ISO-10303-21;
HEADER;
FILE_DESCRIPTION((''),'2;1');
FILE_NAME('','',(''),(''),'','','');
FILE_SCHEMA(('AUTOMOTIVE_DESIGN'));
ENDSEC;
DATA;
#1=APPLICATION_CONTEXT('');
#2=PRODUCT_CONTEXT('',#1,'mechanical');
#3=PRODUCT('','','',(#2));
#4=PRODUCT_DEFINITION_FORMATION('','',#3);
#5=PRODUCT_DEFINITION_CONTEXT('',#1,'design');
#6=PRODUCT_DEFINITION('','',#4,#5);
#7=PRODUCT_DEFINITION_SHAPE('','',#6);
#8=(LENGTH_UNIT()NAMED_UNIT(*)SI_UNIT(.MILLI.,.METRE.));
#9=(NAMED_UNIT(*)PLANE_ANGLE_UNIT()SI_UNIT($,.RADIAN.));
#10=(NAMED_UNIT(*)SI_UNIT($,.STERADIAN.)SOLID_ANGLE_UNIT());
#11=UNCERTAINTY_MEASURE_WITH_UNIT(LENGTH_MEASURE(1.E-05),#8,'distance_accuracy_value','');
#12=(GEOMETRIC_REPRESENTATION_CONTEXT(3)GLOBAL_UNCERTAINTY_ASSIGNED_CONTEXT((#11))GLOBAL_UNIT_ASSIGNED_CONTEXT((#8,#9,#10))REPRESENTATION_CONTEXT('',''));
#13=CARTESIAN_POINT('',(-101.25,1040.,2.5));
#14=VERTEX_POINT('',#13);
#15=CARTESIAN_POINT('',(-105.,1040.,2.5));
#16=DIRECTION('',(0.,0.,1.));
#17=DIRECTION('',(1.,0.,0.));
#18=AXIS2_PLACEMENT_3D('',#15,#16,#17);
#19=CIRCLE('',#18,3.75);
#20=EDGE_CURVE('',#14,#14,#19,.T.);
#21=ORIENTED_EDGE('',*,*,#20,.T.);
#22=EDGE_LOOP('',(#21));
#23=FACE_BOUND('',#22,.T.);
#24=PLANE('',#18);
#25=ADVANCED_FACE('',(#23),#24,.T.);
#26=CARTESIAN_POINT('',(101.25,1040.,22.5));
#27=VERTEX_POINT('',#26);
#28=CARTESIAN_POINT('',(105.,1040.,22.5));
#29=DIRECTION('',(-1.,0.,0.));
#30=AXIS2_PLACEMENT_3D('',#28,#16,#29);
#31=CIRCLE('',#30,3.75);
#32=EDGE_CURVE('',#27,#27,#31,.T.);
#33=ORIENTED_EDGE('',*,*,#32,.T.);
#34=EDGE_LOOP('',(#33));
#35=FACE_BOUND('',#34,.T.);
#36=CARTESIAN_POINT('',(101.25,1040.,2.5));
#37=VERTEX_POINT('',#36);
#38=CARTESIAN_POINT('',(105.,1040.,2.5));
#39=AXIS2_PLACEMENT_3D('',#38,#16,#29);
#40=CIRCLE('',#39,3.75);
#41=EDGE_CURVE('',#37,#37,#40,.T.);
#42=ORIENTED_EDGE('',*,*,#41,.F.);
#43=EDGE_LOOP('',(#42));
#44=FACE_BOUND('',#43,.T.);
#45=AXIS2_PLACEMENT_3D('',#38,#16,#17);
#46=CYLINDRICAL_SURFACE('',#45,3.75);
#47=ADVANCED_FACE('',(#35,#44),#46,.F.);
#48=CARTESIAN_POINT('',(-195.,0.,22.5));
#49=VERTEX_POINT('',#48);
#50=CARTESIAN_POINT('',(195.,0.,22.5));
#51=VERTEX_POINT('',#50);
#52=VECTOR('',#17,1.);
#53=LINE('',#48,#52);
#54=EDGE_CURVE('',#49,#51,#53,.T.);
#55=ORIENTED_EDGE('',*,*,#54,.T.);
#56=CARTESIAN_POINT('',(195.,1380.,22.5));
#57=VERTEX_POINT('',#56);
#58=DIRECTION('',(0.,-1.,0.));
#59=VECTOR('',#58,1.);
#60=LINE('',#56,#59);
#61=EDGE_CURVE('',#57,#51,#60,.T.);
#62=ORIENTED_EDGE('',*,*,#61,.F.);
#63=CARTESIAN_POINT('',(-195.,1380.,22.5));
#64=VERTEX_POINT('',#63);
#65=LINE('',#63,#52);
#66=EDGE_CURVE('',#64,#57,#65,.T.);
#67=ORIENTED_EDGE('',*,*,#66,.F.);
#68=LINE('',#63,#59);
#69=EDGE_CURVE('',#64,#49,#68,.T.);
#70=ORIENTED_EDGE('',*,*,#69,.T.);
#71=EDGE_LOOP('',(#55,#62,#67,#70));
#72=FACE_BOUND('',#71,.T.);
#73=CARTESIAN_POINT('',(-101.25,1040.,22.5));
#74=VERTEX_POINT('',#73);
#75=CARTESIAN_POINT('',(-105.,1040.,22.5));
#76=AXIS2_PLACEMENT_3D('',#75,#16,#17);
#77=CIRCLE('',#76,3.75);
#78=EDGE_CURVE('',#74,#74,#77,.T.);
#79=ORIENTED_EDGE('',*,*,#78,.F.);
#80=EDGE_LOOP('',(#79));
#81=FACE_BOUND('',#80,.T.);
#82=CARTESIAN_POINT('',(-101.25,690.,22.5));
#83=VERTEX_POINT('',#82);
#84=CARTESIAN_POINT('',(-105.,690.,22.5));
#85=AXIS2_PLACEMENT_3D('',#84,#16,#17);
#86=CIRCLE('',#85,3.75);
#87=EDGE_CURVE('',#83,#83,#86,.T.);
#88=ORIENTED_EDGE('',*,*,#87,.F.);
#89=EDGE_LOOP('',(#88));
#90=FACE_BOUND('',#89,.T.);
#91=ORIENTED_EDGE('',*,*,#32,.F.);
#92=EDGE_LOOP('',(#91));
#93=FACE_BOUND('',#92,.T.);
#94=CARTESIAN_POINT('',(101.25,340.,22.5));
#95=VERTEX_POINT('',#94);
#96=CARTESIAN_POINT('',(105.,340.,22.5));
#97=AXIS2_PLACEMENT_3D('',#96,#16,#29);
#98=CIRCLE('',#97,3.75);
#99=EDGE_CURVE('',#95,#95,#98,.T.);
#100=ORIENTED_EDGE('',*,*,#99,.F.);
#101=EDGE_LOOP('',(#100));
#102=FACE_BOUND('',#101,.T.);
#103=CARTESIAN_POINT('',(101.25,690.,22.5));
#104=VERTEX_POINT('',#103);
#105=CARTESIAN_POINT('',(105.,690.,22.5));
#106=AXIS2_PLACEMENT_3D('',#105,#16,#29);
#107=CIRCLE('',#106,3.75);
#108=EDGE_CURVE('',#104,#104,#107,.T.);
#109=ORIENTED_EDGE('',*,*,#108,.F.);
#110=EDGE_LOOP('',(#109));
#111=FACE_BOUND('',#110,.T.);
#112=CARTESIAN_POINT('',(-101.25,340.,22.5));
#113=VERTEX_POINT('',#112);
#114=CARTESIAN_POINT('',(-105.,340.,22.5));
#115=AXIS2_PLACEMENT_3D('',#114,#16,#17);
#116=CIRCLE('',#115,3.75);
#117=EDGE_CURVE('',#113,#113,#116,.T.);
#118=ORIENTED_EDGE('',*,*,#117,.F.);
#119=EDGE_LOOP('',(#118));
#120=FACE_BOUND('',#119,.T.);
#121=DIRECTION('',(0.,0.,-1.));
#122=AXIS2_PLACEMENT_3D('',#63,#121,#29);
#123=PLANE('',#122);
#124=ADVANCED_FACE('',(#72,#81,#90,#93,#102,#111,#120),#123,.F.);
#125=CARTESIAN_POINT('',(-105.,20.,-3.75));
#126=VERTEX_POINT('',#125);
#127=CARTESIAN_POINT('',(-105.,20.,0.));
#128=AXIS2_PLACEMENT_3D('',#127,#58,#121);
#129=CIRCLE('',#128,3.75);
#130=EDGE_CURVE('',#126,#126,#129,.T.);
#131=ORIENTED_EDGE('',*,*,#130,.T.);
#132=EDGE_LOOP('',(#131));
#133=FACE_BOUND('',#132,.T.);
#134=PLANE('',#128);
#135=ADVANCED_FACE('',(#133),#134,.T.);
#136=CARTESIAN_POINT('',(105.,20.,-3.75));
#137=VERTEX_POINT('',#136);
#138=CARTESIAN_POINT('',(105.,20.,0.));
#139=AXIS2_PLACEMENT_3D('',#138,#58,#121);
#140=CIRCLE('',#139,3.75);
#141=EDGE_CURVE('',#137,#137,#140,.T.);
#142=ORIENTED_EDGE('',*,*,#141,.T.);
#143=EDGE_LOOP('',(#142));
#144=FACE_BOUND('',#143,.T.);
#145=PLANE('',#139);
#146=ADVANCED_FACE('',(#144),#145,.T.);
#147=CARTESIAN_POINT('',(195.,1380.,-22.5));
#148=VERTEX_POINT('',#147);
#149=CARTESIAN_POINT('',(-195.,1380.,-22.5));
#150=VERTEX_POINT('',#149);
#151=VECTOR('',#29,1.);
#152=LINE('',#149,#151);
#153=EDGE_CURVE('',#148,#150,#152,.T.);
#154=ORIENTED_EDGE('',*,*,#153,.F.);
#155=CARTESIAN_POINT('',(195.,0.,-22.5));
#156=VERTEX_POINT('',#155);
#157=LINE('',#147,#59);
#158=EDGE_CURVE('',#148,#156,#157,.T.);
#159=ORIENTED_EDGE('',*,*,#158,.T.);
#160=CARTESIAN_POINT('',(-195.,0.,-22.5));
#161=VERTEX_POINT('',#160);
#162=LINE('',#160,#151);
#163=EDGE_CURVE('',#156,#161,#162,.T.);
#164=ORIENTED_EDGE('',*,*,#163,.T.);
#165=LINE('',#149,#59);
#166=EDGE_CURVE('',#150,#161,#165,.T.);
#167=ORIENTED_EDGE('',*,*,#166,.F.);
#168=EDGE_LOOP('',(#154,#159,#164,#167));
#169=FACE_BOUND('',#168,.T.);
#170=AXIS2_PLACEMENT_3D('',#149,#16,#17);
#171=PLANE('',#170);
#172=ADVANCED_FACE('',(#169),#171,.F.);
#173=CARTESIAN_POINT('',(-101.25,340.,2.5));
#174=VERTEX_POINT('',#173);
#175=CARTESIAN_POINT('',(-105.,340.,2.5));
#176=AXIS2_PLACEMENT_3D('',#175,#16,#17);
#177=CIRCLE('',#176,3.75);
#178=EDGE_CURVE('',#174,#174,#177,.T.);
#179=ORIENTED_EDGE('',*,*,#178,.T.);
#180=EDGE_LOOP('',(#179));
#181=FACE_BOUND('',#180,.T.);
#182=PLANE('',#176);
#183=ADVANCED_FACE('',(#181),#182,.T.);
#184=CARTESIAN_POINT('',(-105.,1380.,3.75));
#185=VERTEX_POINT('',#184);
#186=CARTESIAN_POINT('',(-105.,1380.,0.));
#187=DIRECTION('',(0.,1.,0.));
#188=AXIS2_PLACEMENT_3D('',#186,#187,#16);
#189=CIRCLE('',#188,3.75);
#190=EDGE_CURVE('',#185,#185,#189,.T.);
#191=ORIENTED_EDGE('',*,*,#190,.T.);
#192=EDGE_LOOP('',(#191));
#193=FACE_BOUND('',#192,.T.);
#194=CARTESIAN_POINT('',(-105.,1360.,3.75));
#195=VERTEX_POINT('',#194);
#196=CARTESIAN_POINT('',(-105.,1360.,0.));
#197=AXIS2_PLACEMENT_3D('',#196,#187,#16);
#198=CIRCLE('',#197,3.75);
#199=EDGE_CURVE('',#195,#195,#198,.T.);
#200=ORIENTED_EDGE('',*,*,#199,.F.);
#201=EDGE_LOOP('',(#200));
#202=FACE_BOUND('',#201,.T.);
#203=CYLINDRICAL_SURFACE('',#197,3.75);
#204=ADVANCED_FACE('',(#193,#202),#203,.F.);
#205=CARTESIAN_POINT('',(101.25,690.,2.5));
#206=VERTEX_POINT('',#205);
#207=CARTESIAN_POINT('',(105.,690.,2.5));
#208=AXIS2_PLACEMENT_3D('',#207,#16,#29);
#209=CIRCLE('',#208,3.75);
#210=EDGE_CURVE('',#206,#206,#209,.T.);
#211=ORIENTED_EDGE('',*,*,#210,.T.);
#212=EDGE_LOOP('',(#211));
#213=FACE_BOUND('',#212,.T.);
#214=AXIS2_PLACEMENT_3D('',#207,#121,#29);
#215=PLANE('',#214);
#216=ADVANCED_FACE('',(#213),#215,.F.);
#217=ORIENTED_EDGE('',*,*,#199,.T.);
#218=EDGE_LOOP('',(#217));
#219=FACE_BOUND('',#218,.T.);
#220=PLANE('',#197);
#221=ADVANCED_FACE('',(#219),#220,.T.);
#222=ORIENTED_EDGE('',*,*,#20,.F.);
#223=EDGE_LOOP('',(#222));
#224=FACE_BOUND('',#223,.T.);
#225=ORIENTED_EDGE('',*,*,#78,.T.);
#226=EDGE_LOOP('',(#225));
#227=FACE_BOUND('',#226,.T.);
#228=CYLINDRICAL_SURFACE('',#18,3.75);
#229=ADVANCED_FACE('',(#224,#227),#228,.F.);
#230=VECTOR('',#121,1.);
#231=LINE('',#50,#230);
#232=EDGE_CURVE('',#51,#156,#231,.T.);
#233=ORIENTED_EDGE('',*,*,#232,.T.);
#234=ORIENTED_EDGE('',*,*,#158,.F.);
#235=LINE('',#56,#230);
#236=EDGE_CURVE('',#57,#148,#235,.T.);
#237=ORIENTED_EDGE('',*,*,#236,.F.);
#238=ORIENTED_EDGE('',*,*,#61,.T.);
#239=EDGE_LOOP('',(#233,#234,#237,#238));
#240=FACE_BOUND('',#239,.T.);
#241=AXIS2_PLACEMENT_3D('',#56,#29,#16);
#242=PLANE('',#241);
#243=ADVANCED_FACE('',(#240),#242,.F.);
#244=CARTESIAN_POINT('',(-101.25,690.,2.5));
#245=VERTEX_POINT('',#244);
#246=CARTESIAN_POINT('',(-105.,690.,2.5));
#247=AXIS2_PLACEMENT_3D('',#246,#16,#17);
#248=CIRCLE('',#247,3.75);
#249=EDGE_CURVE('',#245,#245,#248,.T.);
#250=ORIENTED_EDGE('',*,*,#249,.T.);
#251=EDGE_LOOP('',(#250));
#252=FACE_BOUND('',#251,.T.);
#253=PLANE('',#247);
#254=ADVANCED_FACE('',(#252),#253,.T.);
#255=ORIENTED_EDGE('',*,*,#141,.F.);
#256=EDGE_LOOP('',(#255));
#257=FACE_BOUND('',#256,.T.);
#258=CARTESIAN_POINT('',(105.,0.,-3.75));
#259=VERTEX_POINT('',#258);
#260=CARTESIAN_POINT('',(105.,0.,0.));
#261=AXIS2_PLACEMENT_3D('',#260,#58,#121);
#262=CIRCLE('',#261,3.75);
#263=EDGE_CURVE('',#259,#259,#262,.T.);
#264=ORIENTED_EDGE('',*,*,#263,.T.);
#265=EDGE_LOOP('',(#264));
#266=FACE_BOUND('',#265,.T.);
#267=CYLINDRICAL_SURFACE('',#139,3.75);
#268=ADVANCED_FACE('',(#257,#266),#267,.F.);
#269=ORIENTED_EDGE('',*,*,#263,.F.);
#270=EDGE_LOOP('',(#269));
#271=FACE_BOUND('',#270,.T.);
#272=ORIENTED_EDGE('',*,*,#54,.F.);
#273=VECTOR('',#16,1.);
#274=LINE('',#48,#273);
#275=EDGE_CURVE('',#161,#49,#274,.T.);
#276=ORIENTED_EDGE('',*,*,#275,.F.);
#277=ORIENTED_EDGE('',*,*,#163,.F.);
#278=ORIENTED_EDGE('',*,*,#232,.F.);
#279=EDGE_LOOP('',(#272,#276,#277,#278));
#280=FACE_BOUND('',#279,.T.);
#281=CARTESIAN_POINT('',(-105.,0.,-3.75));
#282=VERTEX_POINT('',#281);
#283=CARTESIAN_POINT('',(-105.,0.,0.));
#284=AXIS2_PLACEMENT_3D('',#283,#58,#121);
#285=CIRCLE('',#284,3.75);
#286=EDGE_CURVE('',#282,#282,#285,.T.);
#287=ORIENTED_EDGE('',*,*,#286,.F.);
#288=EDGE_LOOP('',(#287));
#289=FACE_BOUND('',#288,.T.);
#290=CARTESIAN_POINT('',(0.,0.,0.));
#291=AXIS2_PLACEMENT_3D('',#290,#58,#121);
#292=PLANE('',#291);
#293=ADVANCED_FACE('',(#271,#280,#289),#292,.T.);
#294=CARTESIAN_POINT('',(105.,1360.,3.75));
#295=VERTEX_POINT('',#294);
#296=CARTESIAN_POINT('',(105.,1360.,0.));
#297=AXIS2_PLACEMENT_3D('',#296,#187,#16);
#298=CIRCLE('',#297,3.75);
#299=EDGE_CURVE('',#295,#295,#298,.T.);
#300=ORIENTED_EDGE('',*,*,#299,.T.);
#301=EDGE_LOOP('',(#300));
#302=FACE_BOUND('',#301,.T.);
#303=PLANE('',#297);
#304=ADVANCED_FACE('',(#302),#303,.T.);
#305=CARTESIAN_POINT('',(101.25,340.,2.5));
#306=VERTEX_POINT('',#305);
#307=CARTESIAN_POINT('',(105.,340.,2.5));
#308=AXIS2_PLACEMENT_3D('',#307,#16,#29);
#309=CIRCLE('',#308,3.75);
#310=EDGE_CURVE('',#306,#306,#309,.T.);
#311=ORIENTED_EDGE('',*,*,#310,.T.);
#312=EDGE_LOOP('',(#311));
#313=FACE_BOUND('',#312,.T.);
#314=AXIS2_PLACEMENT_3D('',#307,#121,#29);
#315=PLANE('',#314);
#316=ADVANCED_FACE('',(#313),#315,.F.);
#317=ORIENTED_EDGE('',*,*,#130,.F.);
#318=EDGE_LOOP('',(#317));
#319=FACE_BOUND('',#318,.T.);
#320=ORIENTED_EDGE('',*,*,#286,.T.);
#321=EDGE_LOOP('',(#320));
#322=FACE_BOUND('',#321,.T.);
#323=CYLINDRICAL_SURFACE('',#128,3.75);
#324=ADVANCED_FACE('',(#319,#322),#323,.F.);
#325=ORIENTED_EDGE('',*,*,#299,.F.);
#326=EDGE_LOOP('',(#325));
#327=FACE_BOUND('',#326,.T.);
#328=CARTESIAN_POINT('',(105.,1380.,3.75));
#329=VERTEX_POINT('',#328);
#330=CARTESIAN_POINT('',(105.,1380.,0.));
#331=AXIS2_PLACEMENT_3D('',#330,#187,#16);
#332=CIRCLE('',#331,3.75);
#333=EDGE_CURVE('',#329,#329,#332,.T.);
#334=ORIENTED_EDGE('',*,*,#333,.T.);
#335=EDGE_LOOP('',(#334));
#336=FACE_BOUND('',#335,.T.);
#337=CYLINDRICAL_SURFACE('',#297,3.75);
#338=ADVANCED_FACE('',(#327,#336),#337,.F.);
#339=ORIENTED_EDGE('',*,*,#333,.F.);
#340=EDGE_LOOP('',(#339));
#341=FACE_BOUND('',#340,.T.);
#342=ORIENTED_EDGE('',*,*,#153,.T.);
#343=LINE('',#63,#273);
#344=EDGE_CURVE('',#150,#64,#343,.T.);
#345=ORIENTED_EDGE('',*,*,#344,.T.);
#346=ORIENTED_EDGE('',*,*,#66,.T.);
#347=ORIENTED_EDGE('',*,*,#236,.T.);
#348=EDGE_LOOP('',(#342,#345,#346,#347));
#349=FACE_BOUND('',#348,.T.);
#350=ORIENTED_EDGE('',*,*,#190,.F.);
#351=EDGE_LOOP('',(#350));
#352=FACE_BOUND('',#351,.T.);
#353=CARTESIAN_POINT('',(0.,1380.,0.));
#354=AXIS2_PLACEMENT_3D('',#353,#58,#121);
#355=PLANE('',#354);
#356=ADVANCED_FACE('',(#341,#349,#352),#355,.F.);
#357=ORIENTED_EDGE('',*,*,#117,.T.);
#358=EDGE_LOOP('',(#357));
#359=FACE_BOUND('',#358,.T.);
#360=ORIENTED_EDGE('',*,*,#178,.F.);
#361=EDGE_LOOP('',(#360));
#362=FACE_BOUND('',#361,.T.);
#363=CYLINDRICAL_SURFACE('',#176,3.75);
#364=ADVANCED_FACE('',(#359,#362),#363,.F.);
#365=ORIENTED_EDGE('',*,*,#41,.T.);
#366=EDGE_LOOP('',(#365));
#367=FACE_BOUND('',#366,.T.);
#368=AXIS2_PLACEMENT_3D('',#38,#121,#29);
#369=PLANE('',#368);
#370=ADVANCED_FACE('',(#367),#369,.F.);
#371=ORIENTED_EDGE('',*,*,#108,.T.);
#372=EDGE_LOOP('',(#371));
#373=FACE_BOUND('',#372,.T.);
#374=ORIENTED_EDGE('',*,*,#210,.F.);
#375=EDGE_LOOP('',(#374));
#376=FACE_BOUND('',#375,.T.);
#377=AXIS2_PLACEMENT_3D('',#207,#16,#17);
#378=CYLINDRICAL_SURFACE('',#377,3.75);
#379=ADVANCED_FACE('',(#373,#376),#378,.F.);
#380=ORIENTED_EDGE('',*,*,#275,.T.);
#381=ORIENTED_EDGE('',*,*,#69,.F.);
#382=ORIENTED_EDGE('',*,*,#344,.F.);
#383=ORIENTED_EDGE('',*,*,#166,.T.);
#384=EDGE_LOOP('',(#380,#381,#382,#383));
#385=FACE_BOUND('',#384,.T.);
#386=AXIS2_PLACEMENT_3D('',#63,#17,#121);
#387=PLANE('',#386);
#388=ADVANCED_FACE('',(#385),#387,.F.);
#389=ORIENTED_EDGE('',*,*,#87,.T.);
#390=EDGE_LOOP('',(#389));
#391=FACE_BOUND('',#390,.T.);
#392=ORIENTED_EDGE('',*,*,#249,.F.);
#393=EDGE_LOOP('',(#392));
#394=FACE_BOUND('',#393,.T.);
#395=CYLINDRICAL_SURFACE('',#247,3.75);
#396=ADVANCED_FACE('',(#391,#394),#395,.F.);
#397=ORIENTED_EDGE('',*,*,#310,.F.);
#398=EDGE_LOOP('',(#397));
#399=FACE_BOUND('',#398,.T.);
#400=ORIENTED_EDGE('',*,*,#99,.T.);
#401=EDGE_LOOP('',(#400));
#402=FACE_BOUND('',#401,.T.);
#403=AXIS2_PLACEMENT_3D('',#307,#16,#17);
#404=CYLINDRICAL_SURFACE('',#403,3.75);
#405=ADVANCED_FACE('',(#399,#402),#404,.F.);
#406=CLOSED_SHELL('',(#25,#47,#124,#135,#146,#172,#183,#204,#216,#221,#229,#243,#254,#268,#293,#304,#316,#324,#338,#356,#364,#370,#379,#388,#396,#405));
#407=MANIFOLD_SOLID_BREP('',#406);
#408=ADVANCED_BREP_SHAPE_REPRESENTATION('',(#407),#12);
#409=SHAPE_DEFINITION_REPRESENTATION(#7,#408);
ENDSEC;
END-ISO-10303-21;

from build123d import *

# Parameters (mm, degrees)
ESQUISSE1_W             = 390
ESQUISSE1_H             = 45
BOSS_EXTRU_1_DEPTH      = 1380
ESQUISSE2_R             = 3.75
ENL_V_MAT_EXTRU_1_DEPTH = 20
ESQUISSE3_R             = 3.75
ENL_V_MAT_EXTRU_2_DEPTH = 20
ENL_V_START             = -20
ESQUISSE4_R             = 3.75
ENL_V_MAT_EXTRU_3_DEPTH = 20


with BuildPart() as part:
    # Esquisse1 → Boss.-Extru.1 (new body)
    with BuildSketch(Plane(origin=(0, 0, 0), x_dir=(1, 0, 0), z_dir=(0, 1, 0))):
        Rectangle(ESQUISSE1_W, ESQUISSE1_H)
    extrude(amount=BOSS_EXTRU_1_DEPTH)

    # Esquisse2 → Enlèv. mat.-Extru.1 (cut)
    with BuildSketch(Plane.XY.offset(22.5)):
        with Locations((-105, 1040)):
            Circle(ESQUISSE2_R)
        with Locations(Location((105, 1040, 0), (0, 0, 180))):
            Circle(ESQUISSE2_R)
        with Locations((-105, 690)):
            Circle(ESQUISSE2_R)
        with Locations((-105, 340)):
            Circle(ESQUISSE2_R)
        with Locations(Location((105, 340, 0), (0, 0, 180))):
            Circle(ESQUISSE2_R)
        with Locations(Location((105, 690, 0), (0, 0, 180))):
            Circle(ESQUISSE2_R)
    extrude(amount=-ENL_V_MAT_EXTRU_1_DEPTH, mode=Mode.SUBTRACT)

    # Esquisse3 → Enlèv. mat.-Extru.2 (cut)
    with BuildSketch(Plane(origin=(0, 1380, 0), x_dir=(1, 0, 0), z_dir=(0, 1, 0))):
        with Locations(Location((-105, 0, 0), (0, 0, 270))):
            Circle(ESQUISSE3_R)
        with Locations(Location((105, 0, 0), (0, 0, 270))):
            Circle(ESQUISSE3_R)
    extrude(amount=-ENL_V_MAT_EXTRU_2_DEPTH, mode=Mode.SUBTRACT)

    # Esquisse4 → Enlèv. mat.-Extru.3 (cut)
    with BuildSketch(Plane.XZ.offset(ENL_V_START)):
        with Locations(Location((-105, 0, 0), (0, 0, 90))):
            Circle(ESQUISSE4_R)
        with Locations(Location((105, 0, 0), (0, 0, 90))):
            Circle(ESQUISSE4_R)
    extrude(amount=ENL_V_MAT_EXTRU_3_DEPTH, mode=Mode.SUBTRACT)


solid = part.part
